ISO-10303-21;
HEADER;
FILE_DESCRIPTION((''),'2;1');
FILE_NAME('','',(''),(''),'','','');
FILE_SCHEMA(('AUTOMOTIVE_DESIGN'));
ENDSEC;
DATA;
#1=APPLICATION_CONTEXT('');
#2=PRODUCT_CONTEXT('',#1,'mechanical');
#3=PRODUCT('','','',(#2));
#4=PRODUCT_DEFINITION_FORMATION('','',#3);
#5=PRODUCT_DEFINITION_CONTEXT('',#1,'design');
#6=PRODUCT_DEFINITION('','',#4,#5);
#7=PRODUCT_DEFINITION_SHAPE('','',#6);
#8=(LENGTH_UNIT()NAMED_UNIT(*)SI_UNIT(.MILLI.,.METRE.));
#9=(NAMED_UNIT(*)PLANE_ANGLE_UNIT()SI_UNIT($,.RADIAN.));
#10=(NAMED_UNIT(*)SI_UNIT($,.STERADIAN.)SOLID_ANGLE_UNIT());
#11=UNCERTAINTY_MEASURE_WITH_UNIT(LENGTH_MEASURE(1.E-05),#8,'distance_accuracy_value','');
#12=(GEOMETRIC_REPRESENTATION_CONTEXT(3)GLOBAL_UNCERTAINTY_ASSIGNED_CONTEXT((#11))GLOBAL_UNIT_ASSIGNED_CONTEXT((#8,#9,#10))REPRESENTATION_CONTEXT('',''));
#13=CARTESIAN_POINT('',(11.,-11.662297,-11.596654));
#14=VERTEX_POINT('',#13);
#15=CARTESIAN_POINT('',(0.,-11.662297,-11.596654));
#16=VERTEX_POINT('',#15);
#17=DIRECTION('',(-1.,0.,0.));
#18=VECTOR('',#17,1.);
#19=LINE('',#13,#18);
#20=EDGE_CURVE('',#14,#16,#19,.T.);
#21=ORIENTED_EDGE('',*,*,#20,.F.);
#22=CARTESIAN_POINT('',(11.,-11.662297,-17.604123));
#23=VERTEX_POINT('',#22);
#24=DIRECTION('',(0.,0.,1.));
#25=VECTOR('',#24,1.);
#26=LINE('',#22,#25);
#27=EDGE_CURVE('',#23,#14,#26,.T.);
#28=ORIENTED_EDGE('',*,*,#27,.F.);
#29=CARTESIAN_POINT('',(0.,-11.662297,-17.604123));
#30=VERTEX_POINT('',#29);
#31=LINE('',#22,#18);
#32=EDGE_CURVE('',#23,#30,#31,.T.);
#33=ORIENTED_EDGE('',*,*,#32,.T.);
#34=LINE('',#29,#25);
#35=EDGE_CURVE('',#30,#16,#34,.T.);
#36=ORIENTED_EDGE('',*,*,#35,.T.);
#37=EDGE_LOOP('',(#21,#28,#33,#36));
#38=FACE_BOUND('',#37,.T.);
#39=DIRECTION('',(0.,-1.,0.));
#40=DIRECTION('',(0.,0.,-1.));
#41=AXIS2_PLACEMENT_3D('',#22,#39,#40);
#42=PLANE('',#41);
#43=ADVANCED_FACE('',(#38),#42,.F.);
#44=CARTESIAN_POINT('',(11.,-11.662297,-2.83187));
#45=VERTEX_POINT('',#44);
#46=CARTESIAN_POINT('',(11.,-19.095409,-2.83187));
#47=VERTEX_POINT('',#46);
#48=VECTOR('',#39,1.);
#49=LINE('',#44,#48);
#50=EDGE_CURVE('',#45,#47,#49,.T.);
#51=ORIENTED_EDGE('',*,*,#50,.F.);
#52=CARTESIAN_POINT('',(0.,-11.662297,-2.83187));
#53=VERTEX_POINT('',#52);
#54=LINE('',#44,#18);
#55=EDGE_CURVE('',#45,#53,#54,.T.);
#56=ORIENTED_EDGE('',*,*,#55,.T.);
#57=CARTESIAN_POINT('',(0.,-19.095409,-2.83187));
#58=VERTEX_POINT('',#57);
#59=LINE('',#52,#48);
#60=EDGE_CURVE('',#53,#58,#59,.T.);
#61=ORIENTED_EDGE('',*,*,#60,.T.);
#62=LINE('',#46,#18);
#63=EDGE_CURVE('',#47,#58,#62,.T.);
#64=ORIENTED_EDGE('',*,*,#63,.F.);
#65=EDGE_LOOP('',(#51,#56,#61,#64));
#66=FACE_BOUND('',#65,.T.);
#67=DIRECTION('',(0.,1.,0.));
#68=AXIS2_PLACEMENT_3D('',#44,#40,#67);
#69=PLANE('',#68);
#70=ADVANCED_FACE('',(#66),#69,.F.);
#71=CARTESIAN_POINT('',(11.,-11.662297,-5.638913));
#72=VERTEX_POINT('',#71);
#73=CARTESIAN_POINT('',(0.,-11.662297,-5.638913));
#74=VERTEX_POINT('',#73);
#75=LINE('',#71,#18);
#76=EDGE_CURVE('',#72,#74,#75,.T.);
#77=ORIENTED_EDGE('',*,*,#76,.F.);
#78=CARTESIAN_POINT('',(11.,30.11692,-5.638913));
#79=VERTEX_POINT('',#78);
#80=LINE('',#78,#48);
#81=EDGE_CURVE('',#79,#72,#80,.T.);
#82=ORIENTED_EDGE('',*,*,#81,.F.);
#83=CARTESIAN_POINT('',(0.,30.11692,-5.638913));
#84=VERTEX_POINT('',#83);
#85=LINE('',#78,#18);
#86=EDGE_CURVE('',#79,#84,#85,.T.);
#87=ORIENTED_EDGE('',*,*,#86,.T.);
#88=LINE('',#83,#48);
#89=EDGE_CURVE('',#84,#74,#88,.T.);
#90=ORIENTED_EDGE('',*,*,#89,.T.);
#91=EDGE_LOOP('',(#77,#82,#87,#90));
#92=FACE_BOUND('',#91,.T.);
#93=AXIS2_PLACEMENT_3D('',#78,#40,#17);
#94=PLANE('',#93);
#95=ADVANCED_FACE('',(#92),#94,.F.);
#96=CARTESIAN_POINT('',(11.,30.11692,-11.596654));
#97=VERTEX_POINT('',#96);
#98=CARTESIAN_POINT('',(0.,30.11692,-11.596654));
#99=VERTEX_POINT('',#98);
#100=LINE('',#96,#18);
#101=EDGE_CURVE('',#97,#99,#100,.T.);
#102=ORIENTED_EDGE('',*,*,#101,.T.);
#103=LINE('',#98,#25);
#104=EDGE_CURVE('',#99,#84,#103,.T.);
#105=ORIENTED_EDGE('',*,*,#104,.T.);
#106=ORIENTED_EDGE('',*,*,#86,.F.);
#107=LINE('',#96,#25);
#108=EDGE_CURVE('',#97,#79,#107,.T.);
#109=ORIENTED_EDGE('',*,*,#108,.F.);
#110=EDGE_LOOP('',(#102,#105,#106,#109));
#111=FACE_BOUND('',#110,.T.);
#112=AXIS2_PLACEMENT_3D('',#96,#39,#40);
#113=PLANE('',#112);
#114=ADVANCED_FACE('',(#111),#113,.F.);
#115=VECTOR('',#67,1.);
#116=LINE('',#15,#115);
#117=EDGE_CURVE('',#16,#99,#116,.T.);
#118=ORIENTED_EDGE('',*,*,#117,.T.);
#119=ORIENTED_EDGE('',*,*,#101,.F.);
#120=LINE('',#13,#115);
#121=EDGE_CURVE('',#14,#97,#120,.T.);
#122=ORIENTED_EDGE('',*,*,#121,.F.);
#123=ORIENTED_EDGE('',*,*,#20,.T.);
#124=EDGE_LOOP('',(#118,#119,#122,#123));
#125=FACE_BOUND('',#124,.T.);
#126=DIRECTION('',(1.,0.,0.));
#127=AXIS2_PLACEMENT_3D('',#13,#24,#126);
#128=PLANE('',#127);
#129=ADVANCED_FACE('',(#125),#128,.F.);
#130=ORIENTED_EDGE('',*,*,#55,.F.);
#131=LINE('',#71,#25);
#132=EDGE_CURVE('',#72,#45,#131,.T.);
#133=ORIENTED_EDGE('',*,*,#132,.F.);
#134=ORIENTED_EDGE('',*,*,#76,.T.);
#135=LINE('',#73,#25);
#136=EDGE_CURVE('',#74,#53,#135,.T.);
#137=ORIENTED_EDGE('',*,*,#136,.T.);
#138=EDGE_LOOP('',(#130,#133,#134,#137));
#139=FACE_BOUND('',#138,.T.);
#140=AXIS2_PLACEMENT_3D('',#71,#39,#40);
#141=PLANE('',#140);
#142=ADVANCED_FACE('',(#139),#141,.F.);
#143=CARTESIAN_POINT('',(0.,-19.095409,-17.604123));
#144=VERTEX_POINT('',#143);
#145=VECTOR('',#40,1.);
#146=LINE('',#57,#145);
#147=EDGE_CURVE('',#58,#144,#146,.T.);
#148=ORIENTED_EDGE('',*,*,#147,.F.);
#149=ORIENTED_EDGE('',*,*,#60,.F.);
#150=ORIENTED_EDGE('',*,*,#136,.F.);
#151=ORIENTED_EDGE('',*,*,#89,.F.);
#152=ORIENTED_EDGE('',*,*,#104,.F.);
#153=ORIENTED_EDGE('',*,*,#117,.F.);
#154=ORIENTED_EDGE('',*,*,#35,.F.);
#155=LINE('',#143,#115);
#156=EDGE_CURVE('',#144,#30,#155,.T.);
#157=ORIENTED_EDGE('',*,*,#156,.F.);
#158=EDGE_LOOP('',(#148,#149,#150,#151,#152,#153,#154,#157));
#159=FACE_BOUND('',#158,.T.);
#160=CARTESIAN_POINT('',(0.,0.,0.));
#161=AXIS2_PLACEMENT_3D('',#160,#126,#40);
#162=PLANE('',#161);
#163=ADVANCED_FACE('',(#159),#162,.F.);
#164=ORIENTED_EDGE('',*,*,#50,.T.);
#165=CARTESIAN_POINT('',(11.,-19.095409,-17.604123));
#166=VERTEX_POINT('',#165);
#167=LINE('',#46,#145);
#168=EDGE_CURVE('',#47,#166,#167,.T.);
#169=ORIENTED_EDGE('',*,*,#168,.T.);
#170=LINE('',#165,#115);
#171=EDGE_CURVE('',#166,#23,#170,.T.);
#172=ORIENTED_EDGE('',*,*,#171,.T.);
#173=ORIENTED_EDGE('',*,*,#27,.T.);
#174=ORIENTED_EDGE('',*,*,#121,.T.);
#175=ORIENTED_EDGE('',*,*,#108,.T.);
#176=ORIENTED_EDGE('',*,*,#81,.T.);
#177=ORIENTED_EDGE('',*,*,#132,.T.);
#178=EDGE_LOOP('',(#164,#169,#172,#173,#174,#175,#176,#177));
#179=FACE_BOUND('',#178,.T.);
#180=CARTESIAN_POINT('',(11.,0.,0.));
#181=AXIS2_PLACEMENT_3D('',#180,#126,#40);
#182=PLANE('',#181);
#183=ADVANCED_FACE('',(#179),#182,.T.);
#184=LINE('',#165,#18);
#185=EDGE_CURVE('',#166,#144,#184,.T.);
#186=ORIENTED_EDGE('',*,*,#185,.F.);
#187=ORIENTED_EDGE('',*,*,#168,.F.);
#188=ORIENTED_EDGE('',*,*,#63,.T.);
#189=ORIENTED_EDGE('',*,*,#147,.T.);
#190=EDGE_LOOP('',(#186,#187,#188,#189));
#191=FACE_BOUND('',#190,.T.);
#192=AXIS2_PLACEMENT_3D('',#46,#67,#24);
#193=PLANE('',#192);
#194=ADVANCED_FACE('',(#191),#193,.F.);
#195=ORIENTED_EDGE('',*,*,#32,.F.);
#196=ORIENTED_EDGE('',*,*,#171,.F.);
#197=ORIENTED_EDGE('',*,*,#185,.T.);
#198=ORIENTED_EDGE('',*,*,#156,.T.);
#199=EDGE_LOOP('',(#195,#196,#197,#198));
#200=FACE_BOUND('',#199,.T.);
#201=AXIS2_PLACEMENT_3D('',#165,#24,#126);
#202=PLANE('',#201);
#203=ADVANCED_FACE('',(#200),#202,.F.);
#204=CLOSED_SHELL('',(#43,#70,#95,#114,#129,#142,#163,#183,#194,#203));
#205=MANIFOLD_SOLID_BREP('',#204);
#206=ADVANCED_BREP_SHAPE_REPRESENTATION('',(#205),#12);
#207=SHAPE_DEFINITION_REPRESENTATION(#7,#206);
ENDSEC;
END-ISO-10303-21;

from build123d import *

# Parameters (mm, degrees)
BOSS_EXTRUDE2_DEPTH = 11


with BuildPart() as part:
    # Sketch3 → Boss-Extrude2 (new body)
    with BuildSketch(Plane(origin=(0, 0, 0), x_dir=(0, 0, -1), z_dir=(1, 0, 0))):
        Polygon((5.638912609, 30.116919614), (5.638912609, -11.662296531), (2.831869602, -11.662296531), (2.831869602, -19.095408607), (17.604123183, -19.095408607), (17.604123183, -11.662296531), (11.596654077, -11.662296531), (11.596654077, 30.116919614), align=None)
    extrude(amount=BOSS_EXTRUDE2_DEPTH)


solid = part.part
